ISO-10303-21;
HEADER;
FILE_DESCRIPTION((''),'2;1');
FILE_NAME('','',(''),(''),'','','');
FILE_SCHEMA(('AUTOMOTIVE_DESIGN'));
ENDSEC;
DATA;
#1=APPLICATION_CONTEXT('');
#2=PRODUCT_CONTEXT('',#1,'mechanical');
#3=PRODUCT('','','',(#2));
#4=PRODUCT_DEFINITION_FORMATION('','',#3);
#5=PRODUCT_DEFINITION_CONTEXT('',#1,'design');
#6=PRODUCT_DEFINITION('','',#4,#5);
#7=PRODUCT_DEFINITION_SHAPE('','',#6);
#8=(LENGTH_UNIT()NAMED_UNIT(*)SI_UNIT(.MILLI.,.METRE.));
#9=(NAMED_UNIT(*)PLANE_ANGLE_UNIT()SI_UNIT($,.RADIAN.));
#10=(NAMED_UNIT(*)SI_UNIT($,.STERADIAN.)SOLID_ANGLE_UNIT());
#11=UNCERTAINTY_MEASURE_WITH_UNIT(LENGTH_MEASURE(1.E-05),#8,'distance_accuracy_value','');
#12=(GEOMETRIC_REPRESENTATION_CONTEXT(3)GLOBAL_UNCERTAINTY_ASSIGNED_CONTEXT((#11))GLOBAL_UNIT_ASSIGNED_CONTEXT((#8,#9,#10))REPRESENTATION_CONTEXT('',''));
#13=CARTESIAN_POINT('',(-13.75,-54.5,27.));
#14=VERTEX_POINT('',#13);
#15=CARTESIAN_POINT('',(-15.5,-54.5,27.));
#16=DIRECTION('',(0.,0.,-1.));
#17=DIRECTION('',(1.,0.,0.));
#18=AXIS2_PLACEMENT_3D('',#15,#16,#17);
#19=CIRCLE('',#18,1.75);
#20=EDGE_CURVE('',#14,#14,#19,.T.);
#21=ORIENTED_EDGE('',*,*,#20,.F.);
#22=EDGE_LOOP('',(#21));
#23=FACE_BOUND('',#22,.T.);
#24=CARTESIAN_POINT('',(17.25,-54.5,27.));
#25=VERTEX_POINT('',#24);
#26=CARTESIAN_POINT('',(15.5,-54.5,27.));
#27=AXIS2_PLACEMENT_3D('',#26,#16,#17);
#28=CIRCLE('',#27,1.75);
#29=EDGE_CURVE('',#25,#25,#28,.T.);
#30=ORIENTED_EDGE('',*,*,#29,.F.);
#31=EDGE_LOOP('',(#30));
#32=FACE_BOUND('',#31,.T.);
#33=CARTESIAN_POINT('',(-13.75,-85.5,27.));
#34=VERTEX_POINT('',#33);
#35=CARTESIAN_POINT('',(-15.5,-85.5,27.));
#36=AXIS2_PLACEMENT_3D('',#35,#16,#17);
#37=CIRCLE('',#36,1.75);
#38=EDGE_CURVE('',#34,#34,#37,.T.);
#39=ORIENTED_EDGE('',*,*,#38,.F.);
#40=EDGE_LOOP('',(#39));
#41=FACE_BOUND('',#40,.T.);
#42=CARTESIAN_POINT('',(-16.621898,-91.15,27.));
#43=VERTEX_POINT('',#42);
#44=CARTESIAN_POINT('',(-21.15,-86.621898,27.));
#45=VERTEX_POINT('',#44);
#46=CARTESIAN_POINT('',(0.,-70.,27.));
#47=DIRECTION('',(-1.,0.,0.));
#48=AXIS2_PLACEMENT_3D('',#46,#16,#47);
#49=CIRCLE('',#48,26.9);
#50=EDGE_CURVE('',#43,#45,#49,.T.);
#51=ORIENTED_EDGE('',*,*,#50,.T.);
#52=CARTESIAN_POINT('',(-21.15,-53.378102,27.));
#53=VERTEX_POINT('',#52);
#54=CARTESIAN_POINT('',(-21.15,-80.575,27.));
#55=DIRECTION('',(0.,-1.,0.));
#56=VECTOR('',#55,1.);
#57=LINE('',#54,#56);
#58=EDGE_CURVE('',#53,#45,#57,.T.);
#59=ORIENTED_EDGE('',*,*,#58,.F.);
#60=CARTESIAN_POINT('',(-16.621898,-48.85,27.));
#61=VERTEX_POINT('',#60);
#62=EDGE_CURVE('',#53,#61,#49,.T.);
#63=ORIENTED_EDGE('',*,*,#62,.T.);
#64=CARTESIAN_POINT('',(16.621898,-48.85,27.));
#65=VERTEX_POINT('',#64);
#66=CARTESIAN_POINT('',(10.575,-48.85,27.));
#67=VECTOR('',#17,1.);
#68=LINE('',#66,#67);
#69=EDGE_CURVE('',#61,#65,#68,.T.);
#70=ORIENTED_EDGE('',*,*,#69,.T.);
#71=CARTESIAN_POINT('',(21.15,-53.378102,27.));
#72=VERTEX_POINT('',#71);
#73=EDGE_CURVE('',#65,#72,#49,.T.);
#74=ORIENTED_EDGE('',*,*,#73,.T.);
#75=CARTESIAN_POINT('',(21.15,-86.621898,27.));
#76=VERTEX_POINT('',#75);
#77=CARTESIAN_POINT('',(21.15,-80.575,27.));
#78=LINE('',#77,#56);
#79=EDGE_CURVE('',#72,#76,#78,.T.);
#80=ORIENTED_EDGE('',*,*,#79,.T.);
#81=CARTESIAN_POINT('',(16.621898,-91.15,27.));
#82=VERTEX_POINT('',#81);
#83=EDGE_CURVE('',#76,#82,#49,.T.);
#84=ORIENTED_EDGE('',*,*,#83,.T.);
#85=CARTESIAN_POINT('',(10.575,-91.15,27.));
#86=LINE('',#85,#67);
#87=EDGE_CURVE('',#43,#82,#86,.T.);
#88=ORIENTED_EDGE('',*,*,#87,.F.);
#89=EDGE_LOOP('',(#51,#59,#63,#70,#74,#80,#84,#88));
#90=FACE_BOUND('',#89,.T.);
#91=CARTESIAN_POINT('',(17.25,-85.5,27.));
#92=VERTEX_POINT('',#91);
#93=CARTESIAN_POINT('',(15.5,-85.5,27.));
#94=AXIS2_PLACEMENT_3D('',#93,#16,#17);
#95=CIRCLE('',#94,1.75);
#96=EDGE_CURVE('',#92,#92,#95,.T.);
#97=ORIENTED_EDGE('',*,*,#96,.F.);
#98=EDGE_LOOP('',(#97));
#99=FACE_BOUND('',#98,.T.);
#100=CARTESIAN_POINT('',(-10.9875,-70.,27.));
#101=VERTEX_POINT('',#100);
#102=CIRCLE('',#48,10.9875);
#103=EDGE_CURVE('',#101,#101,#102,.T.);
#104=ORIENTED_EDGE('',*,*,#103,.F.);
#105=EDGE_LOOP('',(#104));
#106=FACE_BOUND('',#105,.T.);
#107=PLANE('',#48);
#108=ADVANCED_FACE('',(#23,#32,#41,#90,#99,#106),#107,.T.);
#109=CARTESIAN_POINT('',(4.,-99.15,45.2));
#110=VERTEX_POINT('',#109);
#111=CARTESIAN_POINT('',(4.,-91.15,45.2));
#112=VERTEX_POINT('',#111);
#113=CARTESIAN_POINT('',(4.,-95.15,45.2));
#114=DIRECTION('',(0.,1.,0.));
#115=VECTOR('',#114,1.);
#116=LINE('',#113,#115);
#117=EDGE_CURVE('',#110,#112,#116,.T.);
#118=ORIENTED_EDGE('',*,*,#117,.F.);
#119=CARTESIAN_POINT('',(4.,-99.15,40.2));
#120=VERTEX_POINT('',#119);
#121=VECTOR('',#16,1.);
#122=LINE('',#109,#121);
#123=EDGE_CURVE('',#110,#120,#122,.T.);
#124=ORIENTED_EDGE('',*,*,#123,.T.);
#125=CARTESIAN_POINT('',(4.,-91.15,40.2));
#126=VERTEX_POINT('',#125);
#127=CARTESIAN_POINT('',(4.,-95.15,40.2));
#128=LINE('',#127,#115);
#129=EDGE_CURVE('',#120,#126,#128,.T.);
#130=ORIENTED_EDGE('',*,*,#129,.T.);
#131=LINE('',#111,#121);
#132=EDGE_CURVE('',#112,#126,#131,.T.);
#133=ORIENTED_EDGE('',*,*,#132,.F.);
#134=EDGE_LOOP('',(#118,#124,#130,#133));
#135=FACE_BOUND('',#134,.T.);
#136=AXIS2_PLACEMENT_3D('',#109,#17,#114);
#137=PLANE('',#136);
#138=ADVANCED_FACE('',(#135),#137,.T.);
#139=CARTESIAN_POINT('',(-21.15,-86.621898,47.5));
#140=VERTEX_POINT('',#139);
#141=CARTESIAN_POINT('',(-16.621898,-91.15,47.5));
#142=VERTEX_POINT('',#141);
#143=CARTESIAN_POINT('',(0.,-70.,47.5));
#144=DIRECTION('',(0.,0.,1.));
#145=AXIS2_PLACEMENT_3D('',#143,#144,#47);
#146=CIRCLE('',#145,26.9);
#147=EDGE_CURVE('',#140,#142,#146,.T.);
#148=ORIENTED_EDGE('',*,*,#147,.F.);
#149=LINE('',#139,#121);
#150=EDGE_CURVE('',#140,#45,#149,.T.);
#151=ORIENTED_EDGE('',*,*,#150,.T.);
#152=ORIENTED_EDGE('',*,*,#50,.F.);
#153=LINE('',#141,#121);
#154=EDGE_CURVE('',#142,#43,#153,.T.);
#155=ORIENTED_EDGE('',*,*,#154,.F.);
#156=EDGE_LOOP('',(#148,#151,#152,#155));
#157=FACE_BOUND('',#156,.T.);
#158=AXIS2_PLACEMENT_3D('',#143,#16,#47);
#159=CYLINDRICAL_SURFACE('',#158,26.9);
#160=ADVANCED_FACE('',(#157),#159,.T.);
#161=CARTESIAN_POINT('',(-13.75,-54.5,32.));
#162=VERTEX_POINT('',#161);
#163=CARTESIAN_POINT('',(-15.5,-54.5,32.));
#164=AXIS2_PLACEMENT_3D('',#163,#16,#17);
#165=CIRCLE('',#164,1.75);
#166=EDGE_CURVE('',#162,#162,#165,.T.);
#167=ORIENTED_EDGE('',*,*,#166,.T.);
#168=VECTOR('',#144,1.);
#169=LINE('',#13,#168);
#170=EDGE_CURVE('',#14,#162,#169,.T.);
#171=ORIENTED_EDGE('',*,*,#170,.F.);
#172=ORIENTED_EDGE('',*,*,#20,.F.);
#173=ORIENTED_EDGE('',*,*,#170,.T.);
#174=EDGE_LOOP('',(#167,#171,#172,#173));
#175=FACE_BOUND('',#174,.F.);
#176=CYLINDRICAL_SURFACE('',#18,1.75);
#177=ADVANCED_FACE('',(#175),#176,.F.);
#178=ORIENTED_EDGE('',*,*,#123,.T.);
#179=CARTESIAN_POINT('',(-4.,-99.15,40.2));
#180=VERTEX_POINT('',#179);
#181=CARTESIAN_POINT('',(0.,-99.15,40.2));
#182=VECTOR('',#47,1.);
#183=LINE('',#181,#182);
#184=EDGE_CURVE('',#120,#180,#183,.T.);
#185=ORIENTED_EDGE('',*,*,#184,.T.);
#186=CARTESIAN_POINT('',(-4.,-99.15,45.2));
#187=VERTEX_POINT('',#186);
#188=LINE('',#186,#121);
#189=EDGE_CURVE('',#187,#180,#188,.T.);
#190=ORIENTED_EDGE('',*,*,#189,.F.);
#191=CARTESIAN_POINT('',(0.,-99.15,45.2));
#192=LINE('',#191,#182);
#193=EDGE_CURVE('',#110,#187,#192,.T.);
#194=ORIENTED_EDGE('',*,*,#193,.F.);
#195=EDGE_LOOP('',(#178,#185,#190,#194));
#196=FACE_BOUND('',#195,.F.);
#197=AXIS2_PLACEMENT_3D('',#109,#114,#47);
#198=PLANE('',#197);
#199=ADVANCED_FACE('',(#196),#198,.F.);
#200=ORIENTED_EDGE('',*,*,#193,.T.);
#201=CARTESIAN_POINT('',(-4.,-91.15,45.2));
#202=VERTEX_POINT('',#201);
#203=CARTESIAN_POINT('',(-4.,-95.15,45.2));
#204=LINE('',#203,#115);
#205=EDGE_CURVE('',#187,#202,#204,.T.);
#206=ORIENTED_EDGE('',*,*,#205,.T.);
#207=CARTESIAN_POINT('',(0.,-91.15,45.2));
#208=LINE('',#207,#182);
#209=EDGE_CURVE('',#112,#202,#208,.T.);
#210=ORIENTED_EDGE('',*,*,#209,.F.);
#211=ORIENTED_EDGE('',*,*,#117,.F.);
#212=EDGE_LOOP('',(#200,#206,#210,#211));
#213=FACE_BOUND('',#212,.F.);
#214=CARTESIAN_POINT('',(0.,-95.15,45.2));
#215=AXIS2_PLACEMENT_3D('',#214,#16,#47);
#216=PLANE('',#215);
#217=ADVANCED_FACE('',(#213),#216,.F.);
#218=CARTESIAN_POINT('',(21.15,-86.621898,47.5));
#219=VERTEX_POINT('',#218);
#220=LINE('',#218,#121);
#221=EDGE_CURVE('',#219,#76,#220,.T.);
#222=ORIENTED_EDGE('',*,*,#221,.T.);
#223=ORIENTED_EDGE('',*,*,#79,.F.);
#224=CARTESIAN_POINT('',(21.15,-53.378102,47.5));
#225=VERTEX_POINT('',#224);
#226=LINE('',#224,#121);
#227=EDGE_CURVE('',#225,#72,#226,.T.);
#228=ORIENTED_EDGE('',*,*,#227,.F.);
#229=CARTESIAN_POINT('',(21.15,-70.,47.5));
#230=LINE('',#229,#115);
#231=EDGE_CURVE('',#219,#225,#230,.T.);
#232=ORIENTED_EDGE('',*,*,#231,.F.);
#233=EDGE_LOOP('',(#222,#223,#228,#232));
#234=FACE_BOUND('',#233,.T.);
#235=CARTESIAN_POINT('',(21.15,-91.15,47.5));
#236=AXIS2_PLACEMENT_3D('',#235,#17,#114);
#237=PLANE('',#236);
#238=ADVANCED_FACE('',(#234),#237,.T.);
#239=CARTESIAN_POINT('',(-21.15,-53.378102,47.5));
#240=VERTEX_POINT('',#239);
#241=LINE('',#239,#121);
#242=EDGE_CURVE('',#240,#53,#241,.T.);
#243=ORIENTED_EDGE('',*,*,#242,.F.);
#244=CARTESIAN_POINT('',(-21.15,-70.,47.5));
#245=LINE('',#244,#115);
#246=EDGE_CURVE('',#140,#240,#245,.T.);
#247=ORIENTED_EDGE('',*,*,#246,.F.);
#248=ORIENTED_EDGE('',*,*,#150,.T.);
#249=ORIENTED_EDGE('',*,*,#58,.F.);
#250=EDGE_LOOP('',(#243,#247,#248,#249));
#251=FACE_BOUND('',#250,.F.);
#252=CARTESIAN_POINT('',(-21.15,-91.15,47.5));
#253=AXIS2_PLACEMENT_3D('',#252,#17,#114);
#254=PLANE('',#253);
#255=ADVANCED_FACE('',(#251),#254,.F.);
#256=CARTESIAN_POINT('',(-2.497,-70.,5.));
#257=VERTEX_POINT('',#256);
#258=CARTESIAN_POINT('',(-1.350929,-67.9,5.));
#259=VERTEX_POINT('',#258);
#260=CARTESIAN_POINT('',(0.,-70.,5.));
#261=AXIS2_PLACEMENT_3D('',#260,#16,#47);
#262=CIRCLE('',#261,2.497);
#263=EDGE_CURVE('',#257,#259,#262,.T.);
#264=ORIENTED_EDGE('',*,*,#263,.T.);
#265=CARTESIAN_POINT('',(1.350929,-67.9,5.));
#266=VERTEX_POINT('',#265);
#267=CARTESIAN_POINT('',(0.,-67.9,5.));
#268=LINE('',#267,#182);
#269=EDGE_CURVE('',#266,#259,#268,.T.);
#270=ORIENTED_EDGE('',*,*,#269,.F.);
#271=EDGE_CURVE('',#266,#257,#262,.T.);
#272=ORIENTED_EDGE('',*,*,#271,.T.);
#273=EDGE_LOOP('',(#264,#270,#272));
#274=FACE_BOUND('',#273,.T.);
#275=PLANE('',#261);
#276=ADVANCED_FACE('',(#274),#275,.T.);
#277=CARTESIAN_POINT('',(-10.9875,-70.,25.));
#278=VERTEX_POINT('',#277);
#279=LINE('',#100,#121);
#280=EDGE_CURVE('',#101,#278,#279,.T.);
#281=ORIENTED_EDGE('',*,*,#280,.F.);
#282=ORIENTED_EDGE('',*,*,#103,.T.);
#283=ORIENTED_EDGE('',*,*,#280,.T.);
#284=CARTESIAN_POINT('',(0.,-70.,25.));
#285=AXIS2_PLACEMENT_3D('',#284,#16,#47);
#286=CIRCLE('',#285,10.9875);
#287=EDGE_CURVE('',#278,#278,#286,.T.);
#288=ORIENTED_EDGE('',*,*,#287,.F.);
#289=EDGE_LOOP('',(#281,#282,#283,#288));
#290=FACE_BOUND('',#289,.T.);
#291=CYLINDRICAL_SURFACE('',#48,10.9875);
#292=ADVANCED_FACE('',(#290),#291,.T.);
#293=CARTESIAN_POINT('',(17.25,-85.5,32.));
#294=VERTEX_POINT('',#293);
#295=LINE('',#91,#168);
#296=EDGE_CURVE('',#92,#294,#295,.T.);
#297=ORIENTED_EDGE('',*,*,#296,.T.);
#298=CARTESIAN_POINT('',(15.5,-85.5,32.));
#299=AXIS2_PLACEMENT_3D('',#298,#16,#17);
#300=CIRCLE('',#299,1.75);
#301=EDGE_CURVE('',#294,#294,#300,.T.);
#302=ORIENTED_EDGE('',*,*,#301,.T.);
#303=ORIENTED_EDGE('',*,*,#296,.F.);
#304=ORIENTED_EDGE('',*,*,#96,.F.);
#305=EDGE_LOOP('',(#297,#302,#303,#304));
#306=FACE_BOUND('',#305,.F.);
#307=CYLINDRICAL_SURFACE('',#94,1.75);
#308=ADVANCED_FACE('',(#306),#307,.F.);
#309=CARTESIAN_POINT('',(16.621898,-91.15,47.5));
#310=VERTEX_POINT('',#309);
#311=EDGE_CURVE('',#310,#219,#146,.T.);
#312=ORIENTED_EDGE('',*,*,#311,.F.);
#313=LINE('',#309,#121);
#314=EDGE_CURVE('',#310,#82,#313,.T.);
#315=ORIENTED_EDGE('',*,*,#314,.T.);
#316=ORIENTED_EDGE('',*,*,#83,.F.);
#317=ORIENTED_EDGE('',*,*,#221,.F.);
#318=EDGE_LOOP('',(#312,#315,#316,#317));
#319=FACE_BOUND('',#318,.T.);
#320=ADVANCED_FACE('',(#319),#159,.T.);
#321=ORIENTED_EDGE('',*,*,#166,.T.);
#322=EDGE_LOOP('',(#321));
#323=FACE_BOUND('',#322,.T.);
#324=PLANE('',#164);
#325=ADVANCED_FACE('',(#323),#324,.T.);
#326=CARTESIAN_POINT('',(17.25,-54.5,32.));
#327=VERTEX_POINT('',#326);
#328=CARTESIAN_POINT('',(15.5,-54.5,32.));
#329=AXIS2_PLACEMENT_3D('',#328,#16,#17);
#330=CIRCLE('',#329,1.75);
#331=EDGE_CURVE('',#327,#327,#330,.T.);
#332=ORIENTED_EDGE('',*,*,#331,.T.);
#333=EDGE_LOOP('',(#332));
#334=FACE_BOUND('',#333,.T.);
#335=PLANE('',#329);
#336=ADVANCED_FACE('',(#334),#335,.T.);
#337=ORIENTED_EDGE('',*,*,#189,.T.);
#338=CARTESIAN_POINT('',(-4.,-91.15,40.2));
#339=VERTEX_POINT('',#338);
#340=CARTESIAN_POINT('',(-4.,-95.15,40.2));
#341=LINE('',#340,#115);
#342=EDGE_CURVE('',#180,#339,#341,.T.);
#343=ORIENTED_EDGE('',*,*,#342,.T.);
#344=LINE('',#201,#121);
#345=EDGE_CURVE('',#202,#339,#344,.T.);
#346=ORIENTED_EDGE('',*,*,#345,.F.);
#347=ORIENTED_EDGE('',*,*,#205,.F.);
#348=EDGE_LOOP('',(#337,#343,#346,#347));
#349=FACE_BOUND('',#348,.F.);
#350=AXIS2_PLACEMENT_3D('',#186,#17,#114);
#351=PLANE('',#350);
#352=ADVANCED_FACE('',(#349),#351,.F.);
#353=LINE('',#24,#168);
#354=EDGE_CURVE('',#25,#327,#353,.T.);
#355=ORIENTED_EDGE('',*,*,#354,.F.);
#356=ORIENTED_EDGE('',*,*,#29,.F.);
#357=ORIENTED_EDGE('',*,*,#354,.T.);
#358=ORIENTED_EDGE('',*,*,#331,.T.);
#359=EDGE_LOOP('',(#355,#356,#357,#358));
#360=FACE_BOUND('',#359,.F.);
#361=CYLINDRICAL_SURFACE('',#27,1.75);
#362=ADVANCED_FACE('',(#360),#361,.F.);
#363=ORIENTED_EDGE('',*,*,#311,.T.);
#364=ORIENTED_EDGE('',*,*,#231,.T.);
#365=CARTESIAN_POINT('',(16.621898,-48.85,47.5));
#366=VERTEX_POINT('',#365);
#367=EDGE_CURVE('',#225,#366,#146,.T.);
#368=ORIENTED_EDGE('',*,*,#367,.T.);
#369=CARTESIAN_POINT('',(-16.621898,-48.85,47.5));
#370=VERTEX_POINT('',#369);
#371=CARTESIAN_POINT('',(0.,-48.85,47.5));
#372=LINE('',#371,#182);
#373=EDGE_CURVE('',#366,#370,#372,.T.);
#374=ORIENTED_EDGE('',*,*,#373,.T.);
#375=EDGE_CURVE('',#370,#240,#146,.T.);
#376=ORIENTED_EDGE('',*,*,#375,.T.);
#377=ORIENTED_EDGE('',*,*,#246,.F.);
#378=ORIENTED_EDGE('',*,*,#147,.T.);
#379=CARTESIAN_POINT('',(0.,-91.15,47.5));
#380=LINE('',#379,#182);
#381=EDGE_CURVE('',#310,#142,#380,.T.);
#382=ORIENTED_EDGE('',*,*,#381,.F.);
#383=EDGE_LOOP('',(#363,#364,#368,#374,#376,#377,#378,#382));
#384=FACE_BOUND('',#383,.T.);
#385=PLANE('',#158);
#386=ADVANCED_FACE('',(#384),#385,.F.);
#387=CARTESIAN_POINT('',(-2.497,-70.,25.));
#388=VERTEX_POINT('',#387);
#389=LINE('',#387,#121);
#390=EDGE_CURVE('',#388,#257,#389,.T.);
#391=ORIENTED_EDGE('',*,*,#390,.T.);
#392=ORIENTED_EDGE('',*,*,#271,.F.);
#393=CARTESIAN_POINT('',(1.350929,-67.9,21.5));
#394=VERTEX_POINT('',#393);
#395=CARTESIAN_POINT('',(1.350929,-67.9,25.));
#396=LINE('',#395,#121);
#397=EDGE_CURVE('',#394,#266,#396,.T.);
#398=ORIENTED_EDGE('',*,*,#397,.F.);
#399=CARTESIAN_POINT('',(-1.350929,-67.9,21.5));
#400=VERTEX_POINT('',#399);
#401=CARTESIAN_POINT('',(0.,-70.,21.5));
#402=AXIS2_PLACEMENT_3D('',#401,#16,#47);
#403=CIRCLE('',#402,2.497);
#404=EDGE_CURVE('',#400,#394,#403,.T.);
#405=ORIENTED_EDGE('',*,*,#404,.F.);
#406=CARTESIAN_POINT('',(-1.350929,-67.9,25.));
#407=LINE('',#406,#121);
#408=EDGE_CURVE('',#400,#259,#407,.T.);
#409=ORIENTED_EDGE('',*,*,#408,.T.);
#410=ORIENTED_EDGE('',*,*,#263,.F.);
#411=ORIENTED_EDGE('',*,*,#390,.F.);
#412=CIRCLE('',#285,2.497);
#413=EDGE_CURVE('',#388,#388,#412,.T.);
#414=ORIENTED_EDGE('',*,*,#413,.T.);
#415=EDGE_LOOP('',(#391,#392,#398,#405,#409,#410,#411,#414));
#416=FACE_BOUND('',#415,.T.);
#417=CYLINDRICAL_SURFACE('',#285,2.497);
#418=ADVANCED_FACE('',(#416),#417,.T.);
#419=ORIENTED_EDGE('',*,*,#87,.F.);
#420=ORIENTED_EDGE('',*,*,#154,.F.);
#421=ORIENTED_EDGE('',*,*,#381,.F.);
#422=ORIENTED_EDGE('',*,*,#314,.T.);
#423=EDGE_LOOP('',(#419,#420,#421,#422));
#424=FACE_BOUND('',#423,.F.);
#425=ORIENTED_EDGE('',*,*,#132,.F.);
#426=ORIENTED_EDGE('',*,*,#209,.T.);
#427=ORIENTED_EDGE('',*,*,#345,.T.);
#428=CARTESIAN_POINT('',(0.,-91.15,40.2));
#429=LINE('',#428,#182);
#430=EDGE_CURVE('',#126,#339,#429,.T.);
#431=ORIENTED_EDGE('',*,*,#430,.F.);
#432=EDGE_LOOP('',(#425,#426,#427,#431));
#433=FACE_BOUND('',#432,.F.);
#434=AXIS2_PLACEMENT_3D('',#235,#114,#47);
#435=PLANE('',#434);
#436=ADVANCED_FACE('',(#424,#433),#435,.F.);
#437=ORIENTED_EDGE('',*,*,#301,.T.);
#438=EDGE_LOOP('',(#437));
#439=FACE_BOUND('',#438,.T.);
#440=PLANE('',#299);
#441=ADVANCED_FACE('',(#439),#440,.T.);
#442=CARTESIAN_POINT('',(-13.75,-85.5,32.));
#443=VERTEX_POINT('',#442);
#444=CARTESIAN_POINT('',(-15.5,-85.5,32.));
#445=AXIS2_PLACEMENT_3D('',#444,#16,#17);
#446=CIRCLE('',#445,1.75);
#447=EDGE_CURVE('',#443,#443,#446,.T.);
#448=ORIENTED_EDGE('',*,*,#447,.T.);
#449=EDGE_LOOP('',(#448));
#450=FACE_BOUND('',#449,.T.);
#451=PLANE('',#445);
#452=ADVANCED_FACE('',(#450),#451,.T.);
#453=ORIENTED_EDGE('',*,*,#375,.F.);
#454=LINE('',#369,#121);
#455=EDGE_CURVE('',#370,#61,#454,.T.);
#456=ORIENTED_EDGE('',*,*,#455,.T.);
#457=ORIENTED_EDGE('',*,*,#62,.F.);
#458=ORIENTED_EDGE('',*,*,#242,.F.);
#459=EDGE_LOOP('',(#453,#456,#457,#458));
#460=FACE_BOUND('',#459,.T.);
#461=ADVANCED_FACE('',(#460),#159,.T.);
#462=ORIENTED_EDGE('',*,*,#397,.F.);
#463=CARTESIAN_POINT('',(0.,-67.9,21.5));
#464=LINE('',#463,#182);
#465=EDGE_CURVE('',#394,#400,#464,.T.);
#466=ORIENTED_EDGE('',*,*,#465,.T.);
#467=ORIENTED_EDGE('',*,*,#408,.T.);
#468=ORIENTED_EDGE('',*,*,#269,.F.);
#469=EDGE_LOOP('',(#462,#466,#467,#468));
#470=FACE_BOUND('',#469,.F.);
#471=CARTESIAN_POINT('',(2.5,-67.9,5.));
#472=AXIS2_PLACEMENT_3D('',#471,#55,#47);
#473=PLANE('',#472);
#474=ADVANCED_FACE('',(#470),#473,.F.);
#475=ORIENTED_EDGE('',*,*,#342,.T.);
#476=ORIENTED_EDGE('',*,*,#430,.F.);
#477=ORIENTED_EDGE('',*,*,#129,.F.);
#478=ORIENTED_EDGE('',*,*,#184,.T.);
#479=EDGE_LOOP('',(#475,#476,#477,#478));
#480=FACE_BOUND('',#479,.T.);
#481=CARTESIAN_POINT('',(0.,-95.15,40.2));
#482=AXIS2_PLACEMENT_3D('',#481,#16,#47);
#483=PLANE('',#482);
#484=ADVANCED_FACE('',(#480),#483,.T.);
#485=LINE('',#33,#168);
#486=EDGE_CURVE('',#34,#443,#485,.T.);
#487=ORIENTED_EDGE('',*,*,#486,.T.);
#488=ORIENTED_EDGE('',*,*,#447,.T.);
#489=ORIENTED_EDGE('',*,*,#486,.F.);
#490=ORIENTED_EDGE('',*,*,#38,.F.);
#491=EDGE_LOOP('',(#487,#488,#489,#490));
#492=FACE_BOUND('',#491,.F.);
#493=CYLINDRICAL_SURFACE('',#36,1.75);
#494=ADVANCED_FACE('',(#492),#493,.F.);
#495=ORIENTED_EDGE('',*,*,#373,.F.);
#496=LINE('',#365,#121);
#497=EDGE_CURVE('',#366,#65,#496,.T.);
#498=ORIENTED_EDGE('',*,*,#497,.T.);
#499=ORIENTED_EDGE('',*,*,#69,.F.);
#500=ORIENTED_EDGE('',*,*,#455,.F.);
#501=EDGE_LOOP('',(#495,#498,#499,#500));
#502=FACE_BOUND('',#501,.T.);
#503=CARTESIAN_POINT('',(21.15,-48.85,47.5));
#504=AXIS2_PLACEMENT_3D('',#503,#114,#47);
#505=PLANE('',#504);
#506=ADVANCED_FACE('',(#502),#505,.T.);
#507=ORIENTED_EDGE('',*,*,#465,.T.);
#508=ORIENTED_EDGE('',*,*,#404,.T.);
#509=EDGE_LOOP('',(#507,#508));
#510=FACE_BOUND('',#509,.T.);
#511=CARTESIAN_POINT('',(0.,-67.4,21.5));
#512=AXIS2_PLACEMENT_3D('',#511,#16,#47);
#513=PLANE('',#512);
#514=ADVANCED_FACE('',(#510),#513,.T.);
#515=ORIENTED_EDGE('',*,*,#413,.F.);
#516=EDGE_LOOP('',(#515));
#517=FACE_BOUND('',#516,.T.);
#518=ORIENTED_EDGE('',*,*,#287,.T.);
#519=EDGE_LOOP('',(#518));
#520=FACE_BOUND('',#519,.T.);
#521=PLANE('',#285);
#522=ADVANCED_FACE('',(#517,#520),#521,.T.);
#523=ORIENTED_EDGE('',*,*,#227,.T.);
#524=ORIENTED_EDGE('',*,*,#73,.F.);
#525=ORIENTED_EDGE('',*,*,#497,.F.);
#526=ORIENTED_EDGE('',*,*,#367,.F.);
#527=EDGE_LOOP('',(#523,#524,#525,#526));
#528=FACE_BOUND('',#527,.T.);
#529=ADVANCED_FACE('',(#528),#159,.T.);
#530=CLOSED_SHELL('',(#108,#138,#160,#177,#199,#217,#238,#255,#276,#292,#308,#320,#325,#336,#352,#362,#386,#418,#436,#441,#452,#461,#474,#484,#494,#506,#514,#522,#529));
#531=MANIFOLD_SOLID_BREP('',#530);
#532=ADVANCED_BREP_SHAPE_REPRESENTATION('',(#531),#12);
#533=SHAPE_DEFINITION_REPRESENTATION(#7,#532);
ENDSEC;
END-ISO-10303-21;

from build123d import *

# Parameters (mm, degrees)
SKETCH013_W             = 5
SKETCH013_H             = 1
POCKET003_DEPTH         = 16.5
SKETCH014_R             = 55
SKETCH014_W             = 42.3
SKETCH014_H             = 42.3
POCKET004_DEPTH         = 0.001
POCKET004_DEPTH_BACK    = 42.501
SKETCH015_R             = 1.75
POCKET005_DEPTH         = 5
SKETCH004_W             = 8
SKETCH004_H             = 8
PAD003_DEPTH            = 5
BODY004_PLACEMENT_ANGLE = 180


with BuildPart() as part:
    # Sketch012 → Revolution003 (revolve)
    with BuildSketch(Plane.XZ):
        Polygon((0, 0), (26.9, 0), (26.9, 20.5), (10.9875, 20.5), (10.9875, 22.5), (2.497, 22.5), (2.497, 42.5), (0, 42.5), align=None)
    revolve(axis=Axis((0, 0, 0), (0, 0, 1)))

    # Sketch013 → Pocket003 (cut)
    with BuildSketch(Plane.XY.offset(42.5)):
        with Locations((0, 2.6)):
            Rectangle(SKETCH013_W, SKETCH013_H)
    extrude(amount=-POCKET003_DEPTH, mode=Mode.SUBTRACT)

    # Sketch014 → Pocket004 (cut, two sides)
    with BuildSketch(Plane.XY) as pocket004_sk:
        Circle(SKETCH014_R)
        Rectangle(SKETCH014_W, SKETCH014_H, mode=Mode.SUBTRACT)
    extrude(amount=-POCKET004_DEPTH, mode=Mode.SUBTRACT)
    extrude(pocket004_sk.sketch, amount=POCKET004_DEPTH_BACK, mode=Mode.SUBTRACT)

    # Sketch015 (on Face10 of Pocket004) → Pocket005 (cut)
    with BuildSketch(Plane(origin=(0, 0, 20.5), x_dir=(-1, 0, 0), z_dir=(0, 0, 1))):
        with Locations((-15.5, 15.5)):
            Circle(SKETCH015_R)
        with Locations((15.5, 15.5)):
            Circle(SKETCH015_R)
        with Locations((15.5, -15.5)):
            Circle(SKETCH015_R)
        with Locations((-15.5, -15.5)):
            Circle(SKETCH015_R)
    extrude(amount=-POCKET005_DEPTH, mode=Mode.SUBTRACT)

    # Sketch004 → Pad003 (join)
    with BuildSketch(Plane.XY.offset(2.3)):
        with Locations((0, -25.15)):
            Rectangle(SKETCH004_W, SKETCH004_H)
    extrude(amount=PAD003_DEPTH)


with BuildPart() as part_1:
    # Body004 placement: moved
    add(part.part.moved(Location((0, -70, 47.5))).rotate(Axis((0, -70, 47.5), (0, 1, 0)), BODY004_PLACEMENT_ANGLE))


solid = part_1.part
